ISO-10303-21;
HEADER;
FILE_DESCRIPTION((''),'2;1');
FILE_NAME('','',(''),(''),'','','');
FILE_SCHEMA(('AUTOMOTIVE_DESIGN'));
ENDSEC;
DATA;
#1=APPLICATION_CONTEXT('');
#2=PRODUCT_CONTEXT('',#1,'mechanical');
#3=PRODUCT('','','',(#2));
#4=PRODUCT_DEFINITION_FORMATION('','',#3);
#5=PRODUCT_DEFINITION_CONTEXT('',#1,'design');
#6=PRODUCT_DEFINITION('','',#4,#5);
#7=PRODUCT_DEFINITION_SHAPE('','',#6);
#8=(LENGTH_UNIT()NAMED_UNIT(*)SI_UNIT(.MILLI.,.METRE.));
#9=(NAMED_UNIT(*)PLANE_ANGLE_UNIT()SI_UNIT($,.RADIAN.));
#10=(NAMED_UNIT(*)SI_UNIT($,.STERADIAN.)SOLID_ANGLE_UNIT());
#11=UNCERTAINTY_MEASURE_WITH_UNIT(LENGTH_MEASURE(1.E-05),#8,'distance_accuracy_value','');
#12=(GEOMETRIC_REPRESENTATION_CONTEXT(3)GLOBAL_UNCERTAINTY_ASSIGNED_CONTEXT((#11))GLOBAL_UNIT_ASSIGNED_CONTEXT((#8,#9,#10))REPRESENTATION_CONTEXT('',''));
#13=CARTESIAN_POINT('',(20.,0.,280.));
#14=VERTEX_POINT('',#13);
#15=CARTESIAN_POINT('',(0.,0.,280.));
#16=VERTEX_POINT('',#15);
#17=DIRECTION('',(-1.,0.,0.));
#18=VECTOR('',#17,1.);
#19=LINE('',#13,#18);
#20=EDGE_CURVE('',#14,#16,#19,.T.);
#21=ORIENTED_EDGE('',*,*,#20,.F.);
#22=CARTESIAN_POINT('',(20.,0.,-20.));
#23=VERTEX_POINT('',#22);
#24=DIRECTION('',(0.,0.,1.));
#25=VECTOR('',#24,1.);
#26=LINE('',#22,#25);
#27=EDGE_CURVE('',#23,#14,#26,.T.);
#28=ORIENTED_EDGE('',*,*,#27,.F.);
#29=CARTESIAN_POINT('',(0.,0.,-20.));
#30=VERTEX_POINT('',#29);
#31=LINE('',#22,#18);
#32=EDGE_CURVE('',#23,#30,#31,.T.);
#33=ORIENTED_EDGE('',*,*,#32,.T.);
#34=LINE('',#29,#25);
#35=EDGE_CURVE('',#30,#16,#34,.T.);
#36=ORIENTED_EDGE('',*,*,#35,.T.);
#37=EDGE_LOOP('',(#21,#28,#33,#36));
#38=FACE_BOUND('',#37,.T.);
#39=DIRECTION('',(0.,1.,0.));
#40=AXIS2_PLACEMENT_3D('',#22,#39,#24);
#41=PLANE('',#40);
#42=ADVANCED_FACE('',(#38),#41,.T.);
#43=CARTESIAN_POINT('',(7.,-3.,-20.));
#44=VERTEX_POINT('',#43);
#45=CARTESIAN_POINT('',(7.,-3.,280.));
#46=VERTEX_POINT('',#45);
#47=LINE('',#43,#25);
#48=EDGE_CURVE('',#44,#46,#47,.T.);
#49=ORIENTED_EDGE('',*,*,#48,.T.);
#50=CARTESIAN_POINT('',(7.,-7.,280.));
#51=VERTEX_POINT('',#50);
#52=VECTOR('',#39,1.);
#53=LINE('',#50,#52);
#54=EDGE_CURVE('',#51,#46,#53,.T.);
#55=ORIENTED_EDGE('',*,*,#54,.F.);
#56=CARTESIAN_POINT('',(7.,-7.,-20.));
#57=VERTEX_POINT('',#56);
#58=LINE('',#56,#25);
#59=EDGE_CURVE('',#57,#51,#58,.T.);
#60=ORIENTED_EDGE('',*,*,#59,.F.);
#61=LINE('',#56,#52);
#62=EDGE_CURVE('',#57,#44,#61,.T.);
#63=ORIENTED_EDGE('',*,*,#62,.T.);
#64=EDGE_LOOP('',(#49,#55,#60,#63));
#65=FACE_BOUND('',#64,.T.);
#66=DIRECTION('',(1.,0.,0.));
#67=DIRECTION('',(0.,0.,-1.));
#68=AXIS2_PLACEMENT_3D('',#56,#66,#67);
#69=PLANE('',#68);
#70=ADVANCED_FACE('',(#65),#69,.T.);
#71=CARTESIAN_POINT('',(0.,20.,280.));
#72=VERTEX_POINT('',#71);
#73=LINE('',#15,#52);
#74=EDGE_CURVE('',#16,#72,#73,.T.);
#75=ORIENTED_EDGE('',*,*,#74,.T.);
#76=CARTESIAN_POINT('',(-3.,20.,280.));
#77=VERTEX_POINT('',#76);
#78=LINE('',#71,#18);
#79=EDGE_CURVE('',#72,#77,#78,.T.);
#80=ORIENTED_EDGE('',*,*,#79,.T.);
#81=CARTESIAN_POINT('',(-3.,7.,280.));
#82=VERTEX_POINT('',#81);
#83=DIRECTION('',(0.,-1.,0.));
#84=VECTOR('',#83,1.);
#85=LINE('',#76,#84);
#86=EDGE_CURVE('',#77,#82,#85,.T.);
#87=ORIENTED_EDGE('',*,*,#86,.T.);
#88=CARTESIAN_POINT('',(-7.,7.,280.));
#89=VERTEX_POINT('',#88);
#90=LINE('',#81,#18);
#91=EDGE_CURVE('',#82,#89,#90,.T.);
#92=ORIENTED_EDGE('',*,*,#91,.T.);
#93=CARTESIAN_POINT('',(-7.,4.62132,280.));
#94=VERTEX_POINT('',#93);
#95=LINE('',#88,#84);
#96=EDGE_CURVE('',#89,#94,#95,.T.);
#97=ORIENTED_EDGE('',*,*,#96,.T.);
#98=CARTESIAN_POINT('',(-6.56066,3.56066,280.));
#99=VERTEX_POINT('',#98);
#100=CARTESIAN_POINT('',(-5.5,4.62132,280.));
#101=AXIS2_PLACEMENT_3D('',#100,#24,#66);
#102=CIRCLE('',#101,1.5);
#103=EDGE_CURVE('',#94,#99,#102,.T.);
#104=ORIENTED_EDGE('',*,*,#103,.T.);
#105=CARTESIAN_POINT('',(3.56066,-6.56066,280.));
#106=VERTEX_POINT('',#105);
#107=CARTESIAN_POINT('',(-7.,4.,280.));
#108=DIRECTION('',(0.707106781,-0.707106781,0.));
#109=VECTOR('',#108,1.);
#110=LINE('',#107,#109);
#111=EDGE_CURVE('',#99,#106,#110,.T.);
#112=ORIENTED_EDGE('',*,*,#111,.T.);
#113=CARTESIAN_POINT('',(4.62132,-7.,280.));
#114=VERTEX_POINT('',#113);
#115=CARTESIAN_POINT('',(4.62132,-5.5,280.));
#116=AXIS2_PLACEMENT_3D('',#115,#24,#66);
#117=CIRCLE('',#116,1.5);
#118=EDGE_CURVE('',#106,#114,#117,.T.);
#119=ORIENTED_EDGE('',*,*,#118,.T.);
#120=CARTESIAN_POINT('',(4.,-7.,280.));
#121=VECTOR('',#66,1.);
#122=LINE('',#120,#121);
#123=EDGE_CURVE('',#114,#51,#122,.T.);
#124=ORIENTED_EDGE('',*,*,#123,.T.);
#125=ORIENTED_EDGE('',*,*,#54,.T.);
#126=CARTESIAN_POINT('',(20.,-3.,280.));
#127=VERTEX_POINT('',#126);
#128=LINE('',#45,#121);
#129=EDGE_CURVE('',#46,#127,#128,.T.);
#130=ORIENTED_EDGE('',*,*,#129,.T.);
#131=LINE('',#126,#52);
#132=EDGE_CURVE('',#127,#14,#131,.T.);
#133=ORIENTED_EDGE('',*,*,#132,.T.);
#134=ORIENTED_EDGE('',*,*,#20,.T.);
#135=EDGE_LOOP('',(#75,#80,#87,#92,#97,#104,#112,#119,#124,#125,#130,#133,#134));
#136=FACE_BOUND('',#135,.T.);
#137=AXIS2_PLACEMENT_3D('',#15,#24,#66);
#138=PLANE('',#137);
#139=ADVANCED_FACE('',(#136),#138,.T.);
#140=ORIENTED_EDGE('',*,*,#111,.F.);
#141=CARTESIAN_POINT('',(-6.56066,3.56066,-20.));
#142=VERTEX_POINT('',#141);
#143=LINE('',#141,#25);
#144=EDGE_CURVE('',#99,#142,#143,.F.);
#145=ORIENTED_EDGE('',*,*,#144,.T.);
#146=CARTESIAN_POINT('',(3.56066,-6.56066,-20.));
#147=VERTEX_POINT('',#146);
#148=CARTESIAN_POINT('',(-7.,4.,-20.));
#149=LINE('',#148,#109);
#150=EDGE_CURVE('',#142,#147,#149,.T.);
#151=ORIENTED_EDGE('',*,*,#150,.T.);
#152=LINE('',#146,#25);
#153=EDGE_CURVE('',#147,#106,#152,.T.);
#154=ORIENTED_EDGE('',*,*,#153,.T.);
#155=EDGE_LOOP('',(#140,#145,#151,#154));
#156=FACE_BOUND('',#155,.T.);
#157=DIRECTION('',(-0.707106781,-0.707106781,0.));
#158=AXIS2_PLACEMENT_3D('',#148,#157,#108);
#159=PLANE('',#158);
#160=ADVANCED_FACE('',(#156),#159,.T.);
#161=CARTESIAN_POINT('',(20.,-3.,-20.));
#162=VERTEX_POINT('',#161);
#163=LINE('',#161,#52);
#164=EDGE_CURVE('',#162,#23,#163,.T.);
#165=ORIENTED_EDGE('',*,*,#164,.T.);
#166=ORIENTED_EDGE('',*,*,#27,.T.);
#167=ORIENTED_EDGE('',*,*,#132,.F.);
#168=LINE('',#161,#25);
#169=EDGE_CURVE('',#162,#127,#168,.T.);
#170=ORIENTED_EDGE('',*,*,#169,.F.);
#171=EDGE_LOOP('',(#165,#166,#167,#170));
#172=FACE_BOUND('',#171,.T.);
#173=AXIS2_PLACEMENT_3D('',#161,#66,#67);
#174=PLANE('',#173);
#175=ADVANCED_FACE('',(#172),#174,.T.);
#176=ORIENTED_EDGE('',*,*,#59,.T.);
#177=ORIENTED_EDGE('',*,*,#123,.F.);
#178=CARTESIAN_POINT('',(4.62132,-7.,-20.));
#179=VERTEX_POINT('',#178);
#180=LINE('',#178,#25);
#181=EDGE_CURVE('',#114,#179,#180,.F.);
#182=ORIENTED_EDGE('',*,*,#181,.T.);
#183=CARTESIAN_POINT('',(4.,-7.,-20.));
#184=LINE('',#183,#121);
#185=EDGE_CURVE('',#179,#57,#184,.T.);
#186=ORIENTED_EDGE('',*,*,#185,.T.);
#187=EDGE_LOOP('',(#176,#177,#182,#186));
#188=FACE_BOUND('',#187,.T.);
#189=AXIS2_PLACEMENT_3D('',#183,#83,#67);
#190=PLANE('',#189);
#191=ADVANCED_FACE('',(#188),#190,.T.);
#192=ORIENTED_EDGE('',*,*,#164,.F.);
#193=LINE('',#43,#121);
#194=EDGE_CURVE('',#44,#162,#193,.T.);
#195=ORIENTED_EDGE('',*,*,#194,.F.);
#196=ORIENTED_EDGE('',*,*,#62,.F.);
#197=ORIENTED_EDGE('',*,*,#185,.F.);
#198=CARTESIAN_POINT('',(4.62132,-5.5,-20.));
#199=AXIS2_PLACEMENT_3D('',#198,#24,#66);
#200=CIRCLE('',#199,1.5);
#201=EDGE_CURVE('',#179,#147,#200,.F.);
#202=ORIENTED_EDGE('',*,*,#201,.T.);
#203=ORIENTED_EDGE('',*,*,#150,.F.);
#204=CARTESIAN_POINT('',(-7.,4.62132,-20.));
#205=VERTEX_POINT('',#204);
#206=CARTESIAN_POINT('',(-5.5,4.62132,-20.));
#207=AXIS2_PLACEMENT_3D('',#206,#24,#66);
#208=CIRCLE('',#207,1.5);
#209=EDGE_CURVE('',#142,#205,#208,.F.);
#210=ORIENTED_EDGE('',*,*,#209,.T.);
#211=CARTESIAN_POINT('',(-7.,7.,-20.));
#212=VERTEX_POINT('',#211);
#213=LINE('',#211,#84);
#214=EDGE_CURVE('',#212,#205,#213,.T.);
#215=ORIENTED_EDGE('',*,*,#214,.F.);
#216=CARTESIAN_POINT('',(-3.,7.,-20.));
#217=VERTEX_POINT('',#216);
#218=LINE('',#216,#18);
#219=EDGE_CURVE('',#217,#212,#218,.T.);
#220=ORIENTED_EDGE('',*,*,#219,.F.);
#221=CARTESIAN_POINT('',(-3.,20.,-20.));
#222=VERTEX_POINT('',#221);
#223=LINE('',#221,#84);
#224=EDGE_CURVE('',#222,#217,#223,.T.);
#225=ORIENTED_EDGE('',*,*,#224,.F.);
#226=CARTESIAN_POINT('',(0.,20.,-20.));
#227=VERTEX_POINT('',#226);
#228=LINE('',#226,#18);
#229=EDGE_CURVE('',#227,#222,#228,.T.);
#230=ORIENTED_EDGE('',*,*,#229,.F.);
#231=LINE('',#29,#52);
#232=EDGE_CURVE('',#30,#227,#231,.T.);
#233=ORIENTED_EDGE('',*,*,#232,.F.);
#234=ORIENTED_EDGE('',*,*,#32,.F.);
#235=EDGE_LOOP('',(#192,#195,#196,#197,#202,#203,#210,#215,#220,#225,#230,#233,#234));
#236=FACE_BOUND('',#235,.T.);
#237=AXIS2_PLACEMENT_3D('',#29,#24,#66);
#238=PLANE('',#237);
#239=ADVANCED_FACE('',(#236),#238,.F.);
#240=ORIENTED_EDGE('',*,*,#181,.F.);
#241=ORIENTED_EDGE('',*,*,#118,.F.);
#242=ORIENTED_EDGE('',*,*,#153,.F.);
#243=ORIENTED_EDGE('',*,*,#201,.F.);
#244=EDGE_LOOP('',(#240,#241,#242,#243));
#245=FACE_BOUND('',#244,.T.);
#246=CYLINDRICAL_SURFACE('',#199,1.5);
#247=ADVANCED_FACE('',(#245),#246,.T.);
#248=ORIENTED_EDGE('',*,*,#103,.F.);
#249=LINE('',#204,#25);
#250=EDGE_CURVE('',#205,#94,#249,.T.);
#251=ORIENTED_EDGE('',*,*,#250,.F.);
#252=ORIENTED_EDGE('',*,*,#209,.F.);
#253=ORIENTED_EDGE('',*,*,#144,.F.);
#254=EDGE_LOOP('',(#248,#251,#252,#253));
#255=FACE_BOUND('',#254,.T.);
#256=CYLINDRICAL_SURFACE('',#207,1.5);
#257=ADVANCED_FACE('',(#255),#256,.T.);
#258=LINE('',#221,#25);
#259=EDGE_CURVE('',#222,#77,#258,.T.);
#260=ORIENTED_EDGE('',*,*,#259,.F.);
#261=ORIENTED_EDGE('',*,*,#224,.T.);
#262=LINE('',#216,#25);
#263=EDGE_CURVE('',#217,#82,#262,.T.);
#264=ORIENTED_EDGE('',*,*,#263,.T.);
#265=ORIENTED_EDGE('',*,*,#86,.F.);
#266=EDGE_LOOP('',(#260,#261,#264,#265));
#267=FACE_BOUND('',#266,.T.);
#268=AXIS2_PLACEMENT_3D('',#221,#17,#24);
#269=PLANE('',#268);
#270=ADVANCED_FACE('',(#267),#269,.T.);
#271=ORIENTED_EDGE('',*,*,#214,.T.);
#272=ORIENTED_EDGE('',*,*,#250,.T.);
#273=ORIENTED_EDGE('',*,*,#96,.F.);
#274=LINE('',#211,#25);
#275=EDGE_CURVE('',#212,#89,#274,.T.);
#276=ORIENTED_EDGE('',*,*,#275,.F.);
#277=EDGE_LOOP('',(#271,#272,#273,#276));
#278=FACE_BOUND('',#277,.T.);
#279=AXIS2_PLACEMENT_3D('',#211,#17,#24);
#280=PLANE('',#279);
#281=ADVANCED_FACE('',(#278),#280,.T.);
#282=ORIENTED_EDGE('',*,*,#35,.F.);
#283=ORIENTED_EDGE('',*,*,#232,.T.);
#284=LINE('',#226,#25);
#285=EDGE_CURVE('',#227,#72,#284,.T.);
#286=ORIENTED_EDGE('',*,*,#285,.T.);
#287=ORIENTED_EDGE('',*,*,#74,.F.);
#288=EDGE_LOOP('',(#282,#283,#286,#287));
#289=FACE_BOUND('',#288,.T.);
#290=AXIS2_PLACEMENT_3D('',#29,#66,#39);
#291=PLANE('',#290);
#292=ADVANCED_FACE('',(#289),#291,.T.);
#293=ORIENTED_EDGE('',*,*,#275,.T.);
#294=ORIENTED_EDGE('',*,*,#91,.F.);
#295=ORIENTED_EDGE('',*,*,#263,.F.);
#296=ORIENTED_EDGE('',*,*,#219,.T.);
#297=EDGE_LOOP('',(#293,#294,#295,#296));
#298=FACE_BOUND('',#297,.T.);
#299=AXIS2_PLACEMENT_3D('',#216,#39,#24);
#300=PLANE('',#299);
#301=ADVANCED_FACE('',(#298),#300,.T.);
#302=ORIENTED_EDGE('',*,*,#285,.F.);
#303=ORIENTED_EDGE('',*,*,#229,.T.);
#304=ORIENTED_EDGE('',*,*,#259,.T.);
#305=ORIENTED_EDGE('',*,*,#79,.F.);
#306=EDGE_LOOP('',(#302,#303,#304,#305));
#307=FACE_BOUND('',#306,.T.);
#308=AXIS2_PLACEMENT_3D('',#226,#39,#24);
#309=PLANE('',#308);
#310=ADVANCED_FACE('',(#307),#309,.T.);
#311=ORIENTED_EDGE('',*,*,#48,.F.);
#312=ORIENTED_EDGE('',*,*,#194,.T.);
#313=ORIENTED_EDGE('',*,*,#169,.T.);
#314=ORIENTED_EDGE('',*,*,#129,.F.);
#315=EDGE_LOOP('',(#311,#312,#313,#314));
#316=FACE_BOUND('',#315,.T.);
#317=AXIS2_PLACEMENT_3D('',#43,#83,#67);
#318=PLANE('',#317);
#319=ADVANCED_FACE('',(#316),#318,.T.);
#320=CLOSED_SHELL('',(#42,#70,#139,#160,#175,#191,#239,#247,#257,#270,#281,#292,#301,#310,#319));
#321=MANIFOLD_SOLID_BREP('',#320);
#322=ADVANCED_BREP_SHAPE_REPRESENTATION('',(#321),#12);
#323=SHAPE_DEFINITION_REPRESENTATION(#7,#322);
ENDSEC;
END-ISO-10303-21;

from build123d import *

# Parameters (mm, degrees)
BOSS_EXTRUDE1_DEPTH = 300
FILLET1_R           = 1.5


with BuildPart() as part:
    # Sketch1 → Boss-Extrude1 (new body)
    with BuildSketch(Plane.XY.offset(280)):
        Polygon((-7, 4), (4, -7), (7, -7), (7, -3), (20, -3), (20, 0), (0, 0), (0, 20), (-3, 20), (-3, 7), (-7, 7), align=None)
    extrude(amount=-BOSS_EXTRUDE1_DEPTH)

    # Fillet1
    fillet1_edges = [part.edges().sort_by_distance(p)[0] for p in [
        (4, -7, 130),
        (-7, 4, 130),
    ]]
    fillet(fillet1_edges, radius=FILLET1_R)


solid = part.part
